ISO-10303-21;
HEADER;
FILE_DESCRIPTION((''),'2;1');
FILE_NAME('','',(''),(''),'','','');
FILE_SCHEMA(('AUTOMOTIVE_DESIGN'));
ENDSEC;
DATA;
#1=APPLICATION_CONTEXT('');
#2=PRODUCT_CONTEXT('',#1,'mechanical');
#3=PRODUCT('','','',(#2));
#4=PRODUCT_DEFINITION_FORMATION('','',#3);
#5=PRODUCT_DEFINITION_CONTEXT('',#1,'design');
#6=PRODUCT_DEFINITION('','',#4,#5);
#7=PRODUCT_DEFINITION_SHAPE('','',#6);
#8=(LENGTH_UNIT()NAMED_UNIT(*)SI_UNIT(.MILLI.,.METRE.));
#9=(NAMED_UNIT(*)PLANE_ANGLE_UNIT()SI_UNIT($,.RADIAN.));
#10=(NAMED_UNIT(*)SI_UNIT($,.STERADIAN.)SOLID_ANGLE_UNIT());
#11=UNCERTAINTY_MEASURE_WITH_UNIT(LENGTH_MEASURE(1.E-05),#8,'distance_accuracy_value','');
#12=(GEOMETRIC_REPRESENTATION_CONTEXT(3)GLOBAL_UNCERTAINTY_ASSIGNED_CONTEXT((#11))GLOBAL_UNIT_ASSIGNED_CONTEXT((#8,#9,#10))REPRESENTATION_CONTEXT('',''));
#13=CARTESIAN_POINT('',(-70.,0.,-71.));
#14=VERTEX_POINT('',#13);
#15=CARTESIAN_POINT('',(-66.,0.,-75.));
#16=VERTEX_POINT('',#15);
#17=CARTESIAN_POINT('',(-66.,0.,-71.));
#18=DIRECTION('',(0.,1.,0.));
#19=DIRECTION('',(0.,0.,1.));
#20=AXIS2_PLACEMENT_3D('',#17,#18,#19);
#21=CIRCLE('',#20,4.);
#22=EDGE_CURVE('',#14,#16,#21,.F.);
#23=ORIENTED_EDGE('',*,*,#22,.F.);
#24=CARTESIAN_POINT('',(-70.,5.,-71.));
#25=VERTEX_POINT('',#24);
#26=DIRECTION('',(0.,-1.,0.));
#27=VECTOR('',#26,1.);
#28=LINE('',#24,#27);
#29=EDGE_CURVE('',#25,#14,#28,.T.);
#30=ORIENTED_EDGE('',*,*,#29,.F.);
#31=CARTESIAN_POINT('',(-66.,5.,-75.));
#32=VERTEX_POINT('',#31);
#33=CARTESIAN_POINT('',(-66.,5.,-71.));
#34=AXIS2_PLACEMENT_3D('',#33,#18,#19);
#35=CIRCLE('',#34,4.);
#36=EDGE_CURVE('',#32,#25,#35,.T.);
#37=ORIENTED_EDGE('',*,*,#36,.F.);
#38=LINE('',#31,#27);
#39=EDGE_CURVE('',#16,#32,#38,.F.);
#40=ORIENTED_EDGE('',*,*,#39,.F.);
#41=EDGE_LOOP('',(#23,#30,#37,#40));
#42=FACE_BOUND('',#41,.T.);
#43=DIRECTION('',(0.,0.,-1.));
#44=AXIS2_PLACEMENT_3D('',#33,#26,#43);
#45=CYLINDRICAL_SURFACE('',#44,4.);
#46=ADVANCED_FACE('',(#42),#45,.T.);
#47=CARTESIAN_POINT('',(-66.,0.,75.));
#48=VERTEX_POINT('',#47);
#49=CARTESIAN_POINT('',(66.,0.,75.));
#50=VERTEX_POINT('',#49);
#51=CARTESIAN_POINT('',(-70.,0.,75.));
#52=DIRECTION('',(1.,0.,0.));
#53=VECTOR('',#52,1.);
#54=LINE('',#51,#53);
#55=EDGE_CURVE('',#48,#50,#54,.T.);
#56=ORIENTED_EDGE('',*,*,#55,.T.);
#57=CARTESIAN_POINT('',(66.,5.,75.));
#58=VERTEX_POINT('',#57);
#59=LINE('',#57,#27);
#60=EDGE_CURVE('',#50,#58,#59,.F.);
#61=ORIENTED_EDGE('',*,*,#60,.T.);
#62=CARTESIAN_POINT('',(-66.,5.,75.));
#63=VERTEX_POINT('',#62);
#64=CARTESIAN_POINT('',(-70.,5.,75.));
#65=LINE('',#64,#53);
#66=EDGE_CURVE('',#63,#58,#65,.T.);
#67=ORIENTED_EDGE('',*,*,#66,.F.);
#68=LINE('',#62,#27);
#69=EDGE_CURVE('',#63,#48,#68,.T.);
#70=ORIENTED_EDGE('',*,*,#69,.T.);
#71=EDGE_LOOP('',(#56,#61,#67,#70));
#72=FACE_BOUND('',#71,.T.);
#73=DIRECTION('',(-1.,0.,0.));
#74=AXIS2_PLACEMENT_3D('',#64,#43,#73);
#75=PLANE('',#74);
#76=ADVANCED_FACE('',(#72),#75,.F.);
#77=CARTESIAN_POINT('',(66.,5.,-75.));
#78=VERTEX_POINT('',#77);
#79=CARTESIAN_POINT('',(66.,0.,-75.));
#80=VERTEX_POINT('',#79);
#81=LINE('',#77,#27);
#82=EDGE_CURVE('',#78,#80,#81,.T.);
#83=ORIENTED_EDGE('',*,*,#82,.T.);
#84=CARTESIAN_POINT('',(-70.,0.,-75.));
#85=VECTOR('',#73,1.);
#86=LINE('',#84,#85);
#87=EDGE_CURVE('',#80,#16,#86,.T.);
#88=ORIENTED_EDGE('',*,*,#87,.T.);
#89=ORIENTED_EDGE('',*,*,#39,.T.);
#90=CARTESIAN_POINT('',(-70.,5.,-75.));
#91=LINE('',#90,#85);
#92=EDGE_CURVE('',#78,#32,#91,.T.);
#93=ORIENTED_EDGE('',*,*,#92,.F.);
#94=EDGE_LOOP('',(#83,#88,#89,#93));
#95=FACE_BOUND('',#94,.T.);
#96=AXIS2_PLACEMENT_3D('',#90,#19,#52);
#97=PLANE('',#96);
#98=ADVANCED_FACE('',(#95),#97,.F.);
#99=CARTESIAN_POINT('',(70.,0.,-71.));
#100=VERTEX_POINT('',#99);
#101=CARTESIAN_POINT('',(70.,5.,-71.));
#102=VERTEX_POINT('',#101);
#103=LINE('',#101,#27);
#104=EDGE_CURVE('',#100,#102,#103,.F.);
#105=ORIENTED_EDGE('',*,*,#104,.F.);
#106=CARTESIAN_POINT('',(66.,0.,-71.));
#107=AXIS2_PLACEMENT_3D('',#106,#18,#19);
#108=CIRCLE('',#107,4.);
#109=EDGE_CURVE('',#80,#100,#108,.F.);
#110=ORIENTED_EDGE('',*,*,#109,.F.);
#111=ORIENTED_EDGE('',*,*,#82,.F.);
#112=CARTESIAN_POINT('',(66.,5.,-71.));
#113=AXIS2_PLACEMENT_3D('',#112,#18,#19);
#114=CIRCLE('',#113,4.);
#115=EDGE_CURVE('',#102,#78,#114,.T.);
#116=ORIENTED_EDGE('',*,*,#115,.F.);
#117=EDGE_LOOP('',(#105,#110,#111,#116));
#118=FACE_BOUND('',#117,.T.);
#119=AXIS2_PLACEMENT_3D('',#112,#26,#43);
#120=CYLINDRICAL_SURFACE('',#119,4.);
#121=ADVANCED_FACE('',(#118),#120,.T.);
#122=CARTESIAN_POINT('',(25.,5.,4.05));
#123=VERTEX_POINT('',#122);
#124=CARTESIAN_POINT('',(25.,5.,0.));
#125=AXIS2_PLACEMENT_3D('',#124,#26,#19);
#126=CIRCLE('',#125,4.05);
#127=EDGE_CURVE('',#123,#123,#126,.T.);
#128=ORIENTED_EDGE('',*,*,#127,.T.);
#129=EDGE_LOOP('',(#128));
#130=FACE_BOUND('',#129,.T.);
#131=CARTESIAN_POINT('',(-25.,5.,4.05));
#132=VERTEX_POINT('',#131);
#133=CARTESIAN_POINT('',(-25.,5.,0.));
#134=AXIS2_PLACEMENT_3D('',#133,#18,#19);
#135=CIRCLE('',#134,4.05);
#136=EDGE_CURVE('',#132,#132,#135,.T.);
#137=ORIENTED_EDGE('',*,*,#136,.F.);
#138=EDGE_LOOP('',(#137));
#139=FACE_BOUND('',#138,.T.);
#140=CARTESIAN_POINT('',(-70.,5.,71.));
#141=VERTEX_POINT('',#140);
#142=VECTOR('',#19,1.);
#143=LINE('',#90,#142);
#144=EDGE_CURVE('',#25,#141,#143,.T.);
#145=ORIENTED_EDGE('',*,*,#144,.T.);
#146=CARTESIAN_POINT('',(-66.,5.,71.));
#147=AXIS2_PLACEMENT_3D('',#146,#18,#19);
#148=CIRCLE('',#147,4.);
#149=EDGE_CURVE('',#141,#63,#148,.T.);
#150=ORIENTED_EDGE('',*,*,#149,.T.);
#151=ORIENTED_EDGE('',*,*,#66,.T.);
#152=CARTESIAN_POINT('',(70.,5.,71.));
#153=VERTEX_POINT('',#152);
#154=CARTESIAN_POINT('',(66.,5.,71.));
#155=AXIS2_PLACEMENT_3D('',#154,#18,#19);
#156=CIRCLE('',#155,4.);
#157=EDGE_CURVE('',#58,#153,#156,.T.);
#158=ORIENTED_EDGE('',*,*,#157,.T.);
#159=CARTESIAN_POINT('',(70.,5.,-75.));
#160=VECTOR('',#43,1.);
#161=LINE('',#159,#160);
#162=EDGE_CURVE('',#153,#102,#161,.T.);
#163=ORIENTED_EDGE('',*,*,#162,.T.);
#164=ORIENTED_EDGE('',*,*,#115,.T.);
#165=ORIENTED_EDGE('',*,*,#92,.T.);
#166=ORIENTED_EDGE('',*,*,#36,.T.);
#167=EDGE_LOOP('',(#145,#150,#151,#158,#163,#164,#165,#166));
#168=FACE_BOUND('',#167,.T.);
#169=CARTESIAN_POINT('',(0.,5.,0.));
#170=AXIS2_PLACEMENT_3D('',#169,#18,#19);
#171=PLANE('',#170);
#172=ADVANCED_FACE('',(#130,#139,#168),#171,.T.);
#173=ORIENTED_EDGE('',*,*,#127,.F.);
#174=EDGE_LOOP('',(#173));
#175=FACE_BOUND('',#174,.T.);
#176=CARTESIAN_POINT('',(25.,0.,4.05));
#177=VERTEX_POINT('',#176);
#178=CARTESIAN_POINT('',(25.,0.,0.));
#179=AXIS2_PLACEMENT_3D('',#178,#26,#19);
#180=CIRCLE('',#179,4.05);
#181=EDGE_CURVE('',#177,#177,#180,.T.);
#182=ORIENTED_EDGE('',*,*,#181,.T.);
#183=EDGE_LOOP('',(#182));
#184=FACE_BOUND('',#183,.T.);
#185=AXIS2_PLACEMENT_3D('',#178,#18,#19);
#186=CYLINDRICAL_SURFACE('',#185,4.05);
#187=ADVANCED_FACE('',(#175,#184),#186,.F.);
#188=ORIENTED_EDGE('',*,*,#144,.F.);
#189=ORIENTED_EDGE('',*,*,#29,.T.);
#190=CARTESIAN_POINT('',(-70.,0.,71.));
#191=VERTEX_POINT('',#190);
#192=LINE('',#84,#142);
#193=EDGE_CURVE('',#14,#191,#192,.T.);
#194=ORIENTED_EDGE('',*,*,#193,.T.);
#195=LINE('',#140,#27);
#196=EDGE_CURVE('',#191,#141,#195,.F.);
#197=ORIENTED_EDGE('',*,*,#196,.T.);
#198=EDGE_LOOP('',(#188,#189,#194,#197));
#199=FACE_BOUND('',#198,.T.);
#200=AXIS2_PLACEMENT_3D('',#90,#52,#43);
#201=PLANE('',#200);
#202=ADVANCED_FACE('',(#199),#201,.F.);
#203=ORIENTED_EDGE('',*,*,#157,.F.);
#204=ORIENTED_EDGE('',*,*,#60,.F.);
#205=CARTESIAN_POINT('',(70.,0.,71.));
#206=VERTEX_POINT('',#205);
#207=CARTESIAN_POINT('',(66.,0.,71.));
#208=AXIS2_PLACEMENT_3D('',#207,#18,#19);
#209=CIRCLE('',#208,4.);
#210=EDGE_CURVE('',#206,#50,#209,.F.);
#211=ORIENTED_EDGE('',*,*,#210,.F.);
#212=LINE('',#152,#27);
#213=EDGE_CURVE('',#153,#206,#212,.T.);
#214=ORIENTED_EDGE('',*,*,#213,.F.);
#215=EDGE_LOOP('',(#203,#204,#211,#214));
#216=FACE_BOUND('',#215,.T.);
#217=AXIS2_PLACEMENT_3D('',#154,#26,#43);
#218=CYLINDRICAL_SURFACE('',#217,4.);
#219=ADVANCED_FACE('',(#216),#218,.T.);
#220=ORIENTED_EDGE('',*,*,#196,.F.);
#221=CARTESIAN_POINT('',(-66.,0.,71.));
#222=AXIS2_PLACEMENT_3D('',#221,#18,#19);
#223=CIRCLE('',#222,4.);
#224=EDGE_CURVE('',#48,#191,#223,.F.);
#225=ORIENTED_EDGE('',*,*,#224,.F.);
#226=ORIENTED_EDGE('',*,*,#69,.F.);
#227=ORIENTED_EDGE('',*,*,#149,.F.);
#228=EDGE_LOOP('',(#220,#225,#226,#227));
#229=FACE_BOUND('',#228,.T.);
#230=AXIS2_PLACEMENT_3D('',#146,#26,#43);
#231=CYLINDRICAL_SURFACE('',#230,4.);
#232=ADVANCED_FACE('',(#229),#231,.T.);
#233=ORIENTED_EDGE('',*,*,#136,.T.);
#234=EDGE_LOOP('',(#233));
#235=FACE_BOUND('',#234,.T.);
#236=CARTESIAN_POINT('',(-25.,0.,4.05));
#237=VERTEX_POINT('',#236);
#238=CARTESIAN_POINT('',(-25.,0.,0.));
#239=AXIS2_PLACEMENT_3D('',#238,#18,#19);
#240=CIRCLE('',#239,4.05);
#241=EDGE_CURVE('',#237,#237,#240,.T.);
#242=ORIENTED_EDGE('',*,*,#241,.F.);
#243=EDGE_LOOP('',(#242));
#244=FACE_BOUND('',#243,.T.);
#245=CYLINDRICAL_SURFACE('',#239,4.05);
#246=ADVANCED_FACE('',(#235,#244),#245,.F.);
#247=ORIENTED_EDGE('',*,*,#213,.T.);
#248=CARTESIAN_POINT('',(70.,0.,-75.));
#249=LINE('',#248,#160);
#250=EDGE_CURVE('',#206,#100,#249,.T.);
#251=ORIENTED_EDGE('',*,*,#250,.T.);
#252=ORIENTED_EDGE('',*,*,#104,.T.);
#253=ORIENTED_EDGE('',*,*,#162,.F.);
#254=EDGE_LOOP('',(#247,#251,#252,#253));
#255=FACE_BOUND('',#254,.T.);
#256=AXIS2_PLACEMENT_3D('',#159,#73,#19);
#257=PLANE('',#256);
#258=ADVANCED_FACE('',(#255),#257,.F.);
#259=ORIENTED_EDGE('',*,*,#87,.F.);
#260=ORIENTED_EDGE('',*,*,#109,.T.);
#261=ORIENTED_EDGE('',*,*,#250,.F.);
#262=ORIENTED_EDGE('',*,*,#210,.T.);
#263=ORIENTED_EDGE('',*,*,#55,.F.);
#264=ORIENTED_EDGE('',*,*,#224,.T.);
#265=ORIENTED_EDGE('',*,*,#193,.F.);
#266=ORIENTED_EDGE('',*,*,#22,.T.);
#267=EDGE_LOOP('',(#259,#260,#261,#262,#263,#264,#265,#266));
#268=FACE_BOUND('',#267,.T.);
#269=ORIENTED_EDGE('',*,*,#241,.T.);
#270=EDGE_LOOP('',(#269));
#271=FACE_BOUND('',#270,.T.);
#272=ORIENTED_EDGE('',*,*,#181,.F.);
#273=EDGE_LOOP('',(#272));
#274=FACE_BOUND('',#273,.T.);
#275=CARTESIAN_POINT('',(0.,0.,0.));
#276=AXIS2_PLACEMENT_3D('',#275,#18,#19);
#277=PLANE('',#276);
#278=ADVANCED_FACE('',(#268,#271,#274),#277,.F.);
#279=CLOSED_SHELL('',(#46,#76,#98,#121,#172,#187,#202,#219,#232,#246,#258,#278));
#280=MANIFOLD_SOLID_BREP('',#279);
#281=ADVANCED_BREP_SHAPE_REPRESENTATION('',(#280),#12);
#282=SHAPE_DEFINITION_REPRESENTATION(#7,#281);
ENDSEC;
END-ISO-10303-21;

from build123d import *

# Parameters (mm, degrees)
SKETCH1_W           = 140
SKETCH1_H           = 150
BOSS_EXTRUDE1_DEPTH = 5
SKETCH2_R           = 4.05
CUT_EXTRUDE1_DEPTH  = 103.713192921
FILLET1_R           = 4


with BuildPart() as part:
    # Sketch1 → Boss-Extrude1 (new body)
    with BuildSketch(Plane(origin=(0, 0, 0), x_dir=(1, 0, 0), z_dir=(0, 1, 0))):
        Rectangle(SKETCH1_W, SKETCH1_H)
    extrude(amount=BOSS_EXTRUDE1_DEPTH)

    # Sketch2 → Cut-Extrude1 (cut, through all)
    with BuildSketch(Plane(origin=(0, 5, 0), x_dir=(1, 0, 0), z_dir=(0, 1, 0))):
        with Locations(Location((-25, 0, 0), (0, 0, 270))):
            Circle(SKETCH2_R)
    cut_extrude1 = extrude(amount=-CUT_EXTRUDE1_DEPTH, mode=Mode.SUBTRACT)

    # Mirror1: Cut-Extrude1 across plane
    add(cut_extrude1.mirror(Plane(origin=(0, 0, 0), x_dir=(0, 0, 1), z_dir=(1, 0, 0))), mode=Mode.SUBTRACT)

    # Fillet1
    fillet1_edges = [part.edges().sort_by_distance(p)[0] for p in [
        (70, 2.5, 75),
        (-70, 2.5, 75),
        (-70, 2.5, -75),
        (70, 2.5, -75),
    ]]
    fillet(fillet1_edges, radius=FILLET1_R)


solid = part.part
